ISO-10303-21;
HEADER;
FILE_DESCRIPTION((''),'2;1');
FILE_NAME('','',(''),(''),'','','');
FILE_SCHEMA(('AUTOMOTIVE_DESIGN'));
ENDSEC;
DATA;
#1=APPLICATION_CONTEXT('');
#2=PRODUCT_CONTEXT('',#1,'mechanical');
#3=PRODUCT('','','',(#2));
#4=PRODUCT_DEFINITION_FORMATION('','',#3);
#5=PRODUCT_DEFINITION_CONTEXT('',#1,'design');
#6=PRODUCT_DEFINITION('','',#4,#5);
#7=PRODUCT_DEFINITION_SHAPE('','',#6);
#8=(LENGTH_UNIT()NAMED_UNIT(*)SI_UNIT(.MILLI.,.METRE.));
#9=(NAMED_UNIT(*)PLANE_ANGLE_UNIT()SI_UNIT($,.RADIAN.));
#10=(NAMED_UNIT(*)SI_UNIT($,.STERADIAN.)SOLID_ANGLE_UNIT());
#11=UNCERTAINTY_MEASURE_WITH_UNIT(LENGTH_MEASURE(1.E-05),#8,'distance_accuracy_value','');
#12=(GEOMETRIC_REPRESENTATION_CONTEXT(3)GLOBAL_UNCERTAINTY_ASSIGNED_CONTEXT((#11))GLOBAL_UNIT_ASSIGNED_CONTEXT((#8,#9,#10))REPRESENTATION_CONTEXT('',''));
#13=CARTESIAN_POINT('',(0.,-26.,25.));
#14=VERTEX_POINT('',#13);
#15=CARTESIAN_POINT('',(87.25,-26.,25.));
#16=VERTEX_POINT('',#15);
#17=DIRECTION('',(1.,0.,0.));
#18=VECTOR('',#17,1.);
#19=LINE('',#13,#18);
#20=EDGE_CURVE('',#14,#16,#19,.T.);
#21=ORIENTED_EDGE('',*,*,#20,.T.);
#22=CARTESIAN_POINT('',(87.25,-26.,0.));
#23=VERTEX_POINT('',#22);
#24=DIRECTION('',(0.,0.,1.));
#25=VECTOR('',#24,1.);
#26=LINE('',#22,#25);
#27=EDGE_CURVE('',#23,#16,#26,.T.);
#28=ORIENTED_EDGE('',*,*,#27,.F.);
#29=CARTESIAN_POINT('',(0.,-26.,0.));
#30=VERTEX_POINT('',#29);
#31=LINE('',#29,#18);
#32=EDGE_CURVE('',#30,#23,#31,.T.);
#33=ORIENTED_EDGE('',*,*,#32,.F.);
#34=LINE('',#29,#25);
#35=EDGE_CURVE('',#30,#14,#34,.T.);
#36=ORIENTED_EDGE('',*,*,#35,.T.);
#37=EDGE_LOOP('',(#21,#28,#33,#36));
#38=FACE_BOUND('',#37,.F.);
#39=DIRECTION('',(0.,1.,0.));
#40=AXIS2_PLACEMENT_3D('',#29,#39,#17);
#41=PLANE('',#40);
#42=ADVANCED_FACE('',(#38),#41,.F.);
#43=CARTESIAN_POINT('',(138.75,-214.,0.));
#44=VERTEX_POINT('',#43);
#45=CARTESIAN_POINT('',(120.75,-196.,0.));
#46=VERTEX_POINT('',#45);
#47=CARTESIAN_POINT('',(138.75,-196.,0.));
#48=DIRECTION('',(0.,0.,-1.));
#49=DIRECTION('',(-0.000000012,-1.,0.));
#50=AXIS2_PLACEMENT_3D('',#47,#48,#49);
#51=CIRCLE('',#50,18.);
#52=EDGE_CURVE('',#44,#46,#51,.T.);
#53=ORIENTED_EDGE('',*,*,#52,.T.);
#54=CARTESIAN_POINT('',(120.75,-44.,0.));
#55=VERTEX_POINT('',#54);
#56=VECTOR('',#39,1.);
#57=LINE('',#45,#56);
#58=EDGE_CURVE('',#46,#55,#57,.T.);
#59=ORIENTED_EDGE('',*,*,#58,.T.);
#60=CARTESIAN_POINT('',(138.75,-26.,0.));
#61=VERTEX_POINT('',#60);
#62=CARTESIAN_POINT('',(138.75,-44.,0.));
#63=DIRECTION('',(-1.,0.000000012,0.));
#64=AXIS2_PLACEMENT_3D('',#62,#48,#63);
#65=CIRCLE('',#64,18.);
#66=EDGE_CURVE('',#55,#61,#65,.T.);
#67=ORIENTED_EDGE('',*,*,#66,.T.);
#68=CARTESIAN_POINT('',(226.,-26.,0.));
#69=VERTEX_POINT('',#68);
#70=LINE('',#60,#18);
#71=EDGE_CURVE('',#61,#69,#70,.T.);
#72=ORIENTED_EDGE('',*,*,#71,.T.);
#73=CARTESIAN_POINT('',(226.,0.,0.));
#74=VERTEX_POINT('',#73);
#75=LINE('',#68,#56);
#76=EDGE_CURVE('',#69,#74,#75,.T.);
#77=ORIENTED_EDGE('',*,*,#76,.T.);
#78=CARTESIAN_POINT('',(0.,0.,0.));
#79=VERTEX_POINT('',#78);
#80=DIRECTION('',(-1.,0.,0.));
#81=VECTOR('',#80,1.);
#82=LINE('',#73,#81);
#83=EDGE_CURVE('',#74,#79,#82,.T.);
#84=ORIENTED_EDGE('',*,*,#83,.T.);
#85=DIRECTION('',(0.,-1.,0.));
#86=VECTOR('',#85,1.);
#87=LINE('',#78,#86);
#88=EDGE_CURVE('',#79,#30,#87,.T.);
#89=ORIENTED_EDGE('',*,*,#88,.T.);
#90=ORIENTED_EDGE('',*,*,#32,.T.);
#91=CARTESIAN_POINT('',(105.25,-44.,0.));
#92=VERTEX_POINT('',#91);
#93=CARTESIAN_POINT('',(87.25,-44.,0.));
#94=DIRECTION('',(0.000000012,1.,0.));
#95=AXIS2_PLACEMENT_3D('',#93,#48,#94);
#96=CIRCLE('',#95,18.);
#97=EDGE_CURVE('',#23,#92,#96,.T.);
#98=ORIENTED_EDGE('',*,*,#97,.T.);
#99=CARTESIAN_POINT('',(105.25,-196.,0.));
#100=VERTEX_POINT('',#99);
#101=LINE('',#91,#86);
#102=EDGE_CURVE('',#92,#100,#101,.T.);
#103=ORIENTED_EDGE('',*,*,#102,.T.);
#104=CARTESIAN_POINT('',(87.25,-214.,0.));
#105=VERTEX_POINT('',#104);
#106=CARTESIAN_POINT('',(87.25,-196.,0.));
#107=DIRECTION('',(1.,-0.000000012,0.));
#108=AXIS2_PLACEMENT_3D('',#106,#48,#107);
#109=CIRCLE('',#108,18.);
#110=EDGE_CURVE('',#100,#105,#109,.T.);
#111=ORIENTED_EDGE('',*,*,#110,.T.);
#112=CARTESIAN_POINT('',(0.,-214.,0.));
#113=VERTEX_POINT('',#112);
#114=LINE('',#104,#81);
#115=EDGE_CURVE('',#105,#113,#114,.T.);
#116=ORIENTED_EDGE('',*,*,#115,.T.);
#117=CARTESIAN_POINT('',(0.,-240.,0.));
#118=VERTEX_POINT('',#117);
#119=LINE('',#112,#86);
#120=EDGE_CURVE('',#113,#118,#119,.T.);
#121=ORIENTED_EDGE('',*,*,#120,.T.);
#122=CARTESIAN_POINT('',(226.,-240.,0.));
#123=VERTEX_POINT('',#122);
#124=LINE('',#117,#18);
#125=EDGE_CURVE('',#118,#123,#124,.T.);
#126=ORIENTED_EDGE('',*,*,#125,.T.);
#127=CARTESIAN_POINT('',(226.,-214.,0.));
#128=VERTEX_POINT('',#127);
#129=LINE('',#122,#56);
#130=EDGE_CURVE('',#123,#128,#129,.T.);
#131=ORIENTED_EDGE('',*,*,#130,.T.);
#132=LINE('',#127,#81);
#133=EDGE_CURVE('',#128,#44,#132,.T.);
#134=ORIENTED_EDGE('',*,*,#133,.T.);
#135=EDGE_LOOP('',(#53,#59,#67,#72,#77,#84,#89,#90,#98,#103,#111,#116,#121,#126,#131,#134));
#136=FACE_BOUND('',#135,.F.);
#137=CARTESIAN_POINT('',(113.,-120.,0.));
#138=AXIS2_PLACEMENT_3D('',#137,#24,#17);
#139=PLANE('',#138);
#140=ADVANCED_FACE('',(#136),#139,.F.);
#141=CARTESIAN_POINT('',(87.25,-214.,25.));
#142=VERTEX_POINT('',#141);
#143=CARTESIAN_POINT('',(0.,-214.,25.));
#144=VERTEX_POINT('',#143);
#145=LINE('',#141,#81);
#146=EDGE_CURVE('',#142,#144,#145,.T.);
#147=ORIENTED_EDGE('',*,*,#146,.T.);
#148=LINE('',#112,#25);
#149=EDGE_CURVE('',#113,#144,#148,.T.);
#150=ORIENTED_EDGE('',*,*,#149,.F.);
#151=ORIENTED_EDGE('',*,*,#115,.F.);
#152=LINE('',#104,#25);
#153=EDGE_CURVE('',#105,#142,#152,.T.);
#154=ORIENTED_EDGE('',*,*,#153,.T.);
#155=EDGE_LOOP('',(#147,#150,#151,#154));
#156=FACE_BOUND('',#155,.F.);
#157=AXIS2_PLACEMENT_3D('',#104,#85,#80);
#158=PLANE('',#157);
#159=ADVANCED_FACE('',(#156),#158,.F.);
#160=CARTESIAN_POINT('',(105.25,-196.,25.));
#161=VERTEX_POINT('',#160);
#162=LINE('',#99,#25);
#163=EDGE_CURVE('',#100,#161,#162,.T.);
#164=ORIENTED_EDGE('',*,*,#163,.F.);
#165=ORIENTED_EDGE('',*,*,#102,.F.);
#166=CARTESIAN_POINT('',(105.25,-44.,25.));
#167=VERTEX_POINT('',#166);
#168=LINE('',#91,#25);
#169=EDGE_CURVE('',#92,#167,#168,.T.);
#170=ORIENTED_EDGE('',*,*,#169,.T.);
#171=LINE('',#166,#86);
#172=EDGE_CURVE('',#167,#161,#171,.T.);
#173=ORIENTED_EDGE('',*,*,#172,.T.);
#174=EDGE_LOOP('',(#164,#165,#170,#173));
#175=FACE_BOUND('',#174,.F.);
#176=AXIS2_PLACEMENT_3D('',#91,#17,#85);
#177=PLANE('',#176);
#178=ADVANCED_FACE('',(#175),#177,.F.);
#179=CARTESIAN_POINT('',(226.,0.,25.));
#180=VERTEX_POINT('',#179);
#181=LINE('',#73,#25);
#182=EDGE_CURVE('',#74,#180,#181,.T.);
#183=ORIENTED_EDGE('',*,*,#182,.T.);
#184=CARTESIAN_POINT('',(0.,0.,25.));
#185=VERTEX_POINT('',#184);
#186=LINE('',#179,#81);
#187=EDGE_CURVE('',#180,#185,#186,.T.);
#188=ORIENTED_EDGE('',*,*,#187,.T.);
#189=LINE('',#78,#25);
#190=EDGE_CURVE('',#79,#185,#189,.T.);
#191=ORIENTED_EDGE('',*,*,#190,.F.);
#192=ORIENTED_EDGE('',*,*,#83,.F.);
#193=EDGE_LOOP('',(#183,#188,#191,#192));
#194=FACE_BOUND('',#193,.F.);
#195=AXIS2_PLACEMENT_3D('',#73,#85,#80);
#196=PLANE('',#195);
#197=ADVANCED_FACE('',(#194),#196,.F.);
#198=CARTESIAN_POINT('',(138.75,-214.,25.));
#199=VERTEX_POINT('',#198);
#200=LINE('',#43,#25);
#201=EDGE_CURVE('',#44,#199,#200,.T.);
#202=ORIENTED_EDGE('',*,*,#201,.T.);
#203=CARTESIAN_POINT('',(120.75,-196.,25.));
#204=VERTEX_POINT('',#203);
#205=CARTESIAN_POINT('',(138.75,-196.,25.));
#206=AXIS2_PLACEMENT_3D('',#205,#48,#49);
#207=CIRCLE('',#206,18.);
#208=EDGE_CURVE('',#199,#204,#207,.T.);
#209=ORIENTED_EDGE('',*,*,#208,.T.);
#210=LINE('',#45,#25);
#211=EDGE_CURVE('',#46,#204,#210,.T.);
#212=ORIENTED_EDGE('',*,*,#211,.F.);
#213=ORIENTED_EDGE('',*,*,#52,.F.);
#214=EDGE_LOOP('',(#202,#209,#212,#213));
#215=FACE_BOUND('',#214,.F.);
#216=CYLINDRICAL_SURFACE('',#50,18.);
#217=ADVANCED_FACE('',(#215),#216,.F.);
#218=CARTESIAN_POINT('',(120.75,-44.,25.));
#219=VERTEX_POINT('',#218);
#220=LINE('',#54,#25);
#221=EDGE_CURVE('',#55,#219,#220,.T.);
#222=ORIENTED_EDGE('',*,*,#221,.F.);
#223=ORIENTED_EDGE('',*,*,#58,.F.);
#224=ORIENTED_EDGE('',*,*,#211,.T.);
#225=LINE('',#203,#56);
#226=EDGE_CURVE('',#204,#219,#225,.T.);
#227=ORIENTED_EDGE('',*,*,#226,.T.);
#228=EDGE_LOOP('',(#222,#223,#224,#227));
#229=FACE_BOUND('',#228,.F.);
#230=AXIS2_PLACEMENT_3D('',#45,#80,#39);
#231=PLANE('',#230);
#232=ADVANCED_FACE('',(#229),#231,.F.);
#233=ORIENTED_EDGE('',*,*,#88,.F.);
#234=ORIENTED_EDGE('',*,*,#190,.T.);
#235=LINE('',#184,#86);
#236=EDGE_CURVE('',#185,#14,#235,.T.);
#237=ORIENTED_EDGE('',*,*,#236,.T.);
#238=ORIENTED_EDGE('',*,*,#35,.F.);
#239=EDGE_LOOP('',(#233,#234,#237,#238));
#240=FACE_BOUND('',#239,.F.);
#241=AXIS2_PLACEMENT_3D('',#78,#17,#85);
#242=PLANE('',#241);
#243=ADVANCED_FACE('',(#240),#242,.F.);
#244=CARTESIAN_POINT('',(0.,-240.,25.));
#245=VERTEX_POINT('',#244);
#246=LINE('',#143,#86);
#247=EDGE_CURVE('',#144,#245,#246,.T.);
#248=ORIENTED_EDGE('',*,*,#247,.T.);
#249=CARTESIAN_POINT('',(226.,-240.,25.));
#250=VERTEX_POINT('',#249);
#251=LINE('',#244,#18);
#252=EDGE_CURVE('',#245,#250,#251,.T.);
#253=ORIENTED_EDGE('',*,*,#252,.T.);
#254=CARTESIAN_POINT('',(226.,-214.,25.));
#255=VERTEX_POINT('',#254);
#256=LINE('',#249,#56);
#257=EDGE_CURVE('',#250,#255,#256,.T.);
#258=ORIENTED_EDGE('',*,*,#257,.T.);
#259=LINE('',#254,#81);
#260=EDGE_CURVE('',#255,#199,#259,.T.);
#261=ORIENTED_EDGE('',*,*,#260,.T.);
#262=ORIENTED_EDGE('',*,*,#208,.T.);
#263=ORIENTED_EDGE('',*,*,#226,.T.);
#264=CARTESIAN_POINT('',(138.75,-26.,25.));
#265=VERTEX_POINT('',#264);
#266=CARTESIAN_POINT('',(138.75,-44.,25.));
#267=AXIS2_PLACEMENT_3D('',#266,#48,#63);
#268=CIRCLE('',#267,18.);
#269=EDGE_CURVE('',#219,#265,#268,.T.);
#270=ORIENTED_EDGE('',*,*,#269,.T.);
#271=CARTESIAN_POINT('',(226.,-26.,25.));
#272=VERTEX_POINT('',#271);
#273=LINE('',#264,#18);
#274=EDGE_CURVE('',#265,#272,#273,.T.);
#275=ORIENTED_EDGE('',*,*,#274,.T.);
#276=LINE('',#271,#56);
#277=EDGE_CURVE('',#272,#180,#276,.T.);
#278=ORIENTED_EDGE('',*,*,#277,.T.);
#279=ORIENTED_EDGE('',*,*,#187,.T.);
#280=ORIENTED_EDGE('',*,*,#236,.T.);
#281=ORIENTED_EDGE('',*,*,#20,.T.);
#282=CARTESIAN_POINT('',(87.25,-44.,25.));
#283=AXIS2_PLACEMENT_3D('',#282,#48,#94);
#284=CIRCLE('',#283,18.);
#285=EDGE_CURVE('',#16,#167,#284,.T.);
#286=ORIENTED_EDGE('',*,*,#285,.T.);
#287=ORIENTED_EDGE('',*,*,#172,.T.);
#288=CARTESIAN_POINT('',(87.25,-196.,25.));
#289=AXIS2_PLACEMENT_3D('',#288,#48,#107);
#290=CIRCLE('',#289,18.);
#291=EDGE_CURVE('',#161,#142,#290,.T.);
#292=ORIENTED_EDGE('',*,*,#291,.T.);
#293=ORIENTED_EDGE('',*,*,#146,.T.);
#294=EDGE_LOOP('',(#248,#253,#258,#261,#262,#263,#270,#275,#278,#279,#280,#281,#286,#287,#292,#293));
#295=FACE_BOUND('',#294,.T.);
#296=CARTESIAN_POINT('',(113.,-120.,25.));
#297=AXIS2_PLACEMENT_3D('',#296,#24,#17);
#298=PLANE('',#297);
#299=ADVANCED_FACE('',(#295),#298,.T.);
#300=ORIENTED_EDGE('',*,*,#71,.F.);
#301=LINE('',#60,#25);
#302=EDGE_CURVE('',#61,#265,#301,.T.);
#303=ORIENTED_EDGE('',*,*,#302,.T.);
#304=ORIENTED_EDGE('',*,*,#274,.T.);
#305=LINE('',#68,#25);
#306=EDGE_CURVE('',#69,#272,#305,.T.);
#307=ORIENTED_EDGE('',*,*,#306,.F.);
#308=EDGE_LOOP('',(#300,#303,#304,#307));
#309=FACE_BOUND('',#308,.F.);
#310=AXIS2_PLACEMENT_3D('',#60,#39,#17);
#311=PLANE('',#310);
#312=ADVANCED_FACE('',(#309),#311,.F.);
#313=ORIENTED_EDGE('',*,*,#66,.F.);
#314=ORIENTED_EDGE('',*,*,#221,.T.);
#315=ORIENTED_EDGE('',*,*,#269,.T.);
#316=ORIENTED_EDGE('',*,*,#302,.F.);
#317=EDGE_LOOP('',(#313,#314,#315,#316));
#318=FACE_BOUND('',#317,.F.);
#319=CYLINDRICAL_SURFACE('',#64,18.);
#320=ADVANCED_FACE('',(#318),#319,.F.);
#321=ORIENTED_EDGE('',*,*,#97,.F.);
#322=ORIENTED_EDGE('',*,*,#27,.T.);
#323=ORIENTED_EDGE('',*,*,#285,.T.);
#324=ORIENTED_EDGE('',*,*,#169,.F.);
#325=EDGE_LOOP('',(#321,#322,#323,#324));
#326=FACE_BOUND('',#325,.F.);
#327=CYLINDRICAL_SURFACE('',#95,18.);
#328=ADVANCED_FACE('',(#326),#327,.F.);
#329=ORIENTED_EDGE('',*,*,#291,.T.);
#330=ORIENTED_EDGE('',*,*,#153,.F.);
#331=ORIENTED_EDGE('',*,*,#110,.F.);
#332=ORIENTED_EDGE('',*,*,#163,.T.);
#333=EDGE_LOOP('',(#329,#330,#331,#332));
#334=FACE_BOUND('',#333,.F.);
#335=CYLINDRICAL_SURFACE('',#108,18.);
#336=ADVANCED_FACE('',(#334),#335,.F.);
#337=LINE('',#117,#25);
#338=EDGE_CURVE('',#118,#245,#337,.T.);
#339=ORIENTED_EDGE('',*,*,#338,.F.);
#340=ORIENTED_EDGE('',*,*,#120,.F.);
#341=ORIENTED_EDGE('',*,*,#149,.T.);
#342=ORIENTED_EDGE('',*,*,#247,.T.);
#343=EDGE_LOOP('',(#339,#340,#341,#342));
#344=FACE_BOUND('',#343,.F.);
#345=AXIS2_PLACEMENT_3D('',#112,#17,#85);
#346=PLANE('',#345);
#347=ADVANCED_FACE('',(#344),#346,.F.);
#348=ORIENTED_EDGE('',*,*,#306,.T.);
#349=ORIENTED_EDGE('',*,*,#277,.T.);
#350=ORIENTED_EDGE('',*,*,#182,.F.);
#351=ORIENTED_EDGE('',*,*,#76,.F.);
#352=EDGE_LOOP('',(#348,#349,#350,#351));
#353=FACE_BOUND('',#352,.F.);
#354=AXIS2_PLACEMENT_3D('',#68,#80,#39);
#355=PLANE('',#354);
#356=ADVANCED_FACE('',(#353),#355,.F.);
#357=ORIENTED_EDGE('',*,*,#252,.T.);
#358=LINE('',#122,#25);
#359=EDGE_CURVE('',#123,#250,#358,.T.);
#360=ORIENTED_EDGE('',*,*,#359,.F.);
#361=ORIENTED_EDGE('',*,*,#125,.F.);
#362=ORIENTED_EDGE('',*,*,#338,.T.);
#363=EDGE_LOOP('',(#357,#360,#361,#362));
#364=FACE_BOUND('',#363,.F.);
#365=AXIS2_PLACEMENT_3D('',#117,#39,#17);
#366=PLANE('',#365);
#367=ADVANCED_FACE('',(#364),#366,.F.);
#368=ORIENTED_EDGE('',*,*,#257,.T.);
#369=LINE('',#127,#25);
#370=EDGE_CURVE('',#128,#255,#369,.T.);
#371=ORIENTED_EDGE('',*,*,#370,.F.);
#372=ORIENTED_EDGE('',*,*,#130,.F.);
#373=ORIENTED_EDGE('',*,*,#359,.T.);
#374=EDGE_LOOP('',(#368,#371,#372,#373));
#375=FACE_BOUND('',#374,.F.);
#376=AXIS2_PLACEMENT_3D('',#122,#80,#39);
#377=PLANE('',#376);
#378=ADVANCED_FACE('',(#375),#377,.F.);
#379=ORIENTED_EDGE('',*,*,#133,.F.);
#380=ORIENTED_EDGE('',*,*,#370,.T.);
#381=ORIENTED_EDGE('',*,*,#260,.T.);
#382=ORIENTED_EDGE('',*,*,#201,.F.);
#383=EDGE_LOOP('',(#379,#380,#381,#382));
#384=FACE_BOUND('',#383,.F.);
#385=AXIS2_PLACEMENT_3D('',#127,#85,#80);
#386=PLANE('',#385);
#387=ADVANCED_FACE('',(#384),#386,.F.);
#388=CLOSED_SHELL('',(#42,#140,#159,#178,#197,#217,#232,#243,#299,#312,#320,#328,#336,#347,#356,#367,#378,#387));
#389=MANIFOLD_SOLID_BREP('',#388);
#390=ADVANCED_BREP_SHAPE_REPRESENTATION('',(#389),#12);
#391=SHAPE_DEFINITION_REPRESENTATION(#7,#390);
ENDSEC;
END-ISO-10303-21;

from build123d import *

# Parameters (mm, degrees)
F1_DEPTH = 25


with BuildPart() as f1:
    # F0 (on Top) → F1 (new body)
    with BuildSketch(Plane.XY):
        with BuildLine():
            Line((226, 0), (0, 0))
            Line((0, 0), (0, -26))
            Line((0, -26), (87.25, -26))
            ThreePointArc((87.25, -26), (99.977922, -31.272078), (105.25, -44))
            Line((105.25, -44), (105.25, -196))
            ThreePointArc((105.25, -196), (99.977922, -208.727922), (87.25, -214))
            Line((87.25, -214), (0, -214))
            Line((0, -214), (0, -240))
            Line((0, -240), (226, -240))
            Line((226, -240), (226, -214))
            Line((226, -214), (138.75, -214))
            ThreePointArc((138.75, -214), (126.022078, -208.727922), (120.75, -196))
            Line((120.75, -196), (120.75, -44))
            ThreePointArc((120.75, -44), (126.022078, -31.272078), (138.75, -26))
            Line((138.75, -26), (226, -26))
            Line((226, -26), (226, 0))
        make_face()
    extrude(amount=F1_DEPTH)


solid = f1.part
